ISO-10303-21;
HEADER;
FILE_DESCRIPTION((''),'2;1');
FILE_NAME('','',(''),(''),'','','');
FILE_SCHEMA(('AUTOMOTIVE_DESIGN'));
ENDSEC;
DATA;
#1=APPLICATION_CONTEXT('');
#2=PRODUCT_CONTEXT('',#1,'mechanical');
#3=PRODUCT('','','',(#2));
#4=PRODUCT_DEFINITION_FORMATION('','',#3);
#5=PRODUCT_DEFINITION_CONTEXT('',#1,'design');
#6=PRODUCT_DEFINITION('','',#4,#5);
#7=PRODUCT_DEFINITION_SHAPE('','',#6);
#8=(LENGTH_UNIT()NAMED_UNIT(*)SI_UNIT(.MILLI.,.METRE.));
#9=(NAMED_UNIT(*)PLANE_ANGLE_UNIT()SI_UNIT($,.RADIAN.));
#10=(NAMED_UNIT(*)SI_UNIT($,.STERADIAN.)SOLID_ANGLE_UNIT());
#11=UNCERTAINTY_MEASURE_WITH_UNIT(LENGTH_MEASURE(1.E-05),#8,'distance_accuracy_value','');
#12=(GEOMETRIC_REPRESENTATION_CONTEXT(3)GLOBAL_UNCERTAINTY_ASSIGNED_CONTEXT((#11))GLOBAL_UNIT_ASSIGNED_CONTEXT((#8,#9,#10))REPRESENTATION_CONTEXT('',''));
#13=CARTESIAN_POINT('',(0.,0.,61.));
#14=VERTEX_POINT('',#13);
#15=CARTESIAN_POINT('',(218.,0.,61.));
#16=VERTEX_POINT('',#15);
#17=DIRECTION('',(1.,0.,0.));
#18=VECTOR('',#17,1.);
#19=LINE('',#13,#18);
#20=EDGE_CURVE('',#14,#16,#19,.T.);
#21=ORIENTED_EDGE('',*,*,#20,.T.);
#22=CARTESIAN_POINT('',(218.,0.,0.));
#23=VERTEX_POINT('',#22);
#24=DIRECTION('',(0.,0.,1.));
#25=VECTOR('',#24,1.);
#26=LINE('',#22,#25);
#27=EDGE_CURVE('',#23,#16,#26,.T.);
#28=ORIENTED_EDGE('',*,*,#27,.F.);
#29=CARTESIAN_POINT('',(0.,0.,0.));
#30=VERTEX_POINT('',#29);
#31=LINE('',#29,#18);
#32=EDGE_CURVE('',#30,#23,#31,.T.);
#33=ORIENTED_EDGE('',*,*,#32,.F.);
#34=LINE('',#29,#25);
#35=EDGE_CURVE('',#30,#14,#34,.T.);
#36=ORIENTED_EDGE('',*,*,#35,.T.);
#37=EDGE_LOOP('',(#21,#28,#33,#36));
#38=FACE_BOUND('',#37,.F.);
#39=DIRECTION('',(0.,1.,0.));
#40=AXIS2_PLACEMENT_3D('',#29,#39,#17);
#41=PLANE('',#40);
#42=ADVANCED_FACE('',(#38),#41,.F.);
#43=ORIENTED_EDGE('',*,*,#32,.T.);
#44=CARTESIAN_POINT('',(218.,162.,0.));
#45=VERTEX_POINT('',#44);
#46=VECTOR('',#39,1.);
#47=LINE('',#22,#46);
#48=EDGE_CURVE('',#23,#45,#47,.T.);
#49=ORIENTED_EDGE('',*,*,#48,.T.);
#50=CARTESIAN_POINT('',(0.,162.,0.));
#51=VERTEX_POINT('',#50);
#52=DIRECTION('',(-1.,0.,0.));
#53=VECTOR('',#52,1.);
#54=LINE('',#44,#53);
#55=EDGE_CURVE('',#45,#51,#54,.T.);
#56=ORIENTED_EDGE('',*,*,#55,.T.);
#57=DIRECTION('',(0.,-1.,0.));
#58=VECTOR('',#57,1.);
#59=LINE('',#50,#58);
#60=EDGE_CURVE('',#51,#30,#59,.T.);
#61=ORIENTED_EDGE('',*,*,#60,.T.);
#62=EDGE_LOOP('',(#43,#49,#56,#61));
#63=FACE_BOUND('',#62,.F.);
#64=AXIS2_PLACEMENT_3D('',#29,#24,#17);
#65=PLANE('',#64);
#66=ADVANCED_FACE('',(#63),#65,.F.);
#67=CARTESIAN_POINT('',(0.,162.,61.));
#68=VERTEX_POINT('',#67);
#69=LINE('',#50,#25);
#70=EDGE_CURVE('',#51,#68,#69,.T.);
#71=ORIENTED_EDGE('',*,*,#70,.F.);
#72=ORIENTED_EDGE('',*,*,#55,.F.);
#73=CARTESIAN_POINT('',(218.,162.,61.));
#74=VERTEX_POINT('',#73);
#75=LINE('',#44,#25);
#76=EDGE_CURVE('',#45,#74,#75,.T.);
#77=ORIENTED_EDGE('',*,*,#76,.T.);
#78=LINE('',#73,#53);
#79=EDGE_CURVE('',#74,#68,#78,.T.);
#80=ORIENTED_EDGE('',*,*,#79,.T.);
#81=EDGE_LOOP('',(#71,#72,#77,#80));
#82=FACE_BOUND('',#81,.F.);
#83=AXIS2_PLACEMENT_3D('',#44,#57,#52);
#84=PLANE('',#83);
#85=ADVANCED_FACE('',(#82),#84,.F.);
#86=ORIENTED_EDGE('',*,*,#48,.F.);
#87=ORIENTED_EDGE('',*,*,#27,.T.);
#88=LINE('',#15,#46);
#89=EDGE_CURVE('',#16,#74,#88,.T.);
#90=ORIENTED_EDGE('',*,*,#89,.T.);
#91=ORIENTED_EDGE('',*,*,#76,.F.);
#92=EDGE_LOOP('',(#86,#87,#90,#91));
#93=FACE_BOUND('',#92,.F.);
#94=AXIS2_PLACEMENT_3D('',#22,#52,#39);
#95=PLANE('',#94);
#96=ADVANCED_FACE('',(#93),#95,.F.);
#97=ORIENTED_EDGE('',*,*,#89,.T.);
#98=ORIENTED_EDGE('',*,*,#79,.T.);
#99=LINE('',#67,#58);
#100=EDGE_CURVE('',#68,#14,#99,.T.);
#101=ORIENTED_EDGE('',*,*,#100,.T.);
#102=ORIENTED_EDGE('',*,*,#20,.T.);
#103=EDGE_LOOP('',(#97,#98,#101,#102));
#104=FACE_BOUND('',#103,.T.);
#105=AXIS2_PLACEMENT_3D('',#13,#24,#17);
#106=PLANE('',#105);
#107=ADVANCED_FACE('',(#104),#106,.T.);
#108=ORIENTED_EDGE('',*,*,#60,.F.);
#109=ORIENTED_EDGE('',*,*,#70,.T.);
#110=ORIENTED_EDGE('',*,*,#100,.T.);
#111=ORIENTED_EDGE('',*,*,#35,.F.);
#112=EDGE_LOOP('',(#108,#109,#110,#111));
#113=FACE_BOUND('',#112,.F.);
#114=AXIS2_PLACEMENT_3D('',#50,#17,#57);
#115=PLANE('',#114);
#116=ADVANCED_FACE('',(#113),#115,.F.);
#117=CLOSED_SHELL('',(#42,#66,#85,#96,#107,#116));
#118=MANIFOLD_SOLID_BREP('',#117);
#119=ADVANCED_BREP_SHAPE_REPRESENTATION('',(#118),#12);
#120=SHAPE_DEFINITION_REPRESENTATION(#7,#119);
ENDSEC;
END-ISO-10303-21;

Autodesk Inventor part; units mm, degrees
ref_plane "YZ Plane" through (0, 0, 0) normal (1, 0, 0) x (0, 1, 0)
ref_plane "XZ Plane" through (0, 0, 0) normal (0, 1, 0) x (-1, 0, 0)
ref_plane "XY Plane" through (0, 0, 0) normal (0, 0, 1) x (1, 0, 0)
sketch "Эскиз1" plane through (0, 0, 0) normal (0, 0, 1) x (1, 0, 0)
  line L0 (0, 0) -> (218, 0)
  line L1 (218, 0) -> (218, 162)
  line L2 (218, 162) -> (0, 162)
  line L3 (0, 162) -> (0, 0)
  dimension "d0" = 218
  dimension "d1" = 162
extrude "Выдавливание1" add sketch "Эскиз1" along normal blind 61
properties part number "FakeV"
